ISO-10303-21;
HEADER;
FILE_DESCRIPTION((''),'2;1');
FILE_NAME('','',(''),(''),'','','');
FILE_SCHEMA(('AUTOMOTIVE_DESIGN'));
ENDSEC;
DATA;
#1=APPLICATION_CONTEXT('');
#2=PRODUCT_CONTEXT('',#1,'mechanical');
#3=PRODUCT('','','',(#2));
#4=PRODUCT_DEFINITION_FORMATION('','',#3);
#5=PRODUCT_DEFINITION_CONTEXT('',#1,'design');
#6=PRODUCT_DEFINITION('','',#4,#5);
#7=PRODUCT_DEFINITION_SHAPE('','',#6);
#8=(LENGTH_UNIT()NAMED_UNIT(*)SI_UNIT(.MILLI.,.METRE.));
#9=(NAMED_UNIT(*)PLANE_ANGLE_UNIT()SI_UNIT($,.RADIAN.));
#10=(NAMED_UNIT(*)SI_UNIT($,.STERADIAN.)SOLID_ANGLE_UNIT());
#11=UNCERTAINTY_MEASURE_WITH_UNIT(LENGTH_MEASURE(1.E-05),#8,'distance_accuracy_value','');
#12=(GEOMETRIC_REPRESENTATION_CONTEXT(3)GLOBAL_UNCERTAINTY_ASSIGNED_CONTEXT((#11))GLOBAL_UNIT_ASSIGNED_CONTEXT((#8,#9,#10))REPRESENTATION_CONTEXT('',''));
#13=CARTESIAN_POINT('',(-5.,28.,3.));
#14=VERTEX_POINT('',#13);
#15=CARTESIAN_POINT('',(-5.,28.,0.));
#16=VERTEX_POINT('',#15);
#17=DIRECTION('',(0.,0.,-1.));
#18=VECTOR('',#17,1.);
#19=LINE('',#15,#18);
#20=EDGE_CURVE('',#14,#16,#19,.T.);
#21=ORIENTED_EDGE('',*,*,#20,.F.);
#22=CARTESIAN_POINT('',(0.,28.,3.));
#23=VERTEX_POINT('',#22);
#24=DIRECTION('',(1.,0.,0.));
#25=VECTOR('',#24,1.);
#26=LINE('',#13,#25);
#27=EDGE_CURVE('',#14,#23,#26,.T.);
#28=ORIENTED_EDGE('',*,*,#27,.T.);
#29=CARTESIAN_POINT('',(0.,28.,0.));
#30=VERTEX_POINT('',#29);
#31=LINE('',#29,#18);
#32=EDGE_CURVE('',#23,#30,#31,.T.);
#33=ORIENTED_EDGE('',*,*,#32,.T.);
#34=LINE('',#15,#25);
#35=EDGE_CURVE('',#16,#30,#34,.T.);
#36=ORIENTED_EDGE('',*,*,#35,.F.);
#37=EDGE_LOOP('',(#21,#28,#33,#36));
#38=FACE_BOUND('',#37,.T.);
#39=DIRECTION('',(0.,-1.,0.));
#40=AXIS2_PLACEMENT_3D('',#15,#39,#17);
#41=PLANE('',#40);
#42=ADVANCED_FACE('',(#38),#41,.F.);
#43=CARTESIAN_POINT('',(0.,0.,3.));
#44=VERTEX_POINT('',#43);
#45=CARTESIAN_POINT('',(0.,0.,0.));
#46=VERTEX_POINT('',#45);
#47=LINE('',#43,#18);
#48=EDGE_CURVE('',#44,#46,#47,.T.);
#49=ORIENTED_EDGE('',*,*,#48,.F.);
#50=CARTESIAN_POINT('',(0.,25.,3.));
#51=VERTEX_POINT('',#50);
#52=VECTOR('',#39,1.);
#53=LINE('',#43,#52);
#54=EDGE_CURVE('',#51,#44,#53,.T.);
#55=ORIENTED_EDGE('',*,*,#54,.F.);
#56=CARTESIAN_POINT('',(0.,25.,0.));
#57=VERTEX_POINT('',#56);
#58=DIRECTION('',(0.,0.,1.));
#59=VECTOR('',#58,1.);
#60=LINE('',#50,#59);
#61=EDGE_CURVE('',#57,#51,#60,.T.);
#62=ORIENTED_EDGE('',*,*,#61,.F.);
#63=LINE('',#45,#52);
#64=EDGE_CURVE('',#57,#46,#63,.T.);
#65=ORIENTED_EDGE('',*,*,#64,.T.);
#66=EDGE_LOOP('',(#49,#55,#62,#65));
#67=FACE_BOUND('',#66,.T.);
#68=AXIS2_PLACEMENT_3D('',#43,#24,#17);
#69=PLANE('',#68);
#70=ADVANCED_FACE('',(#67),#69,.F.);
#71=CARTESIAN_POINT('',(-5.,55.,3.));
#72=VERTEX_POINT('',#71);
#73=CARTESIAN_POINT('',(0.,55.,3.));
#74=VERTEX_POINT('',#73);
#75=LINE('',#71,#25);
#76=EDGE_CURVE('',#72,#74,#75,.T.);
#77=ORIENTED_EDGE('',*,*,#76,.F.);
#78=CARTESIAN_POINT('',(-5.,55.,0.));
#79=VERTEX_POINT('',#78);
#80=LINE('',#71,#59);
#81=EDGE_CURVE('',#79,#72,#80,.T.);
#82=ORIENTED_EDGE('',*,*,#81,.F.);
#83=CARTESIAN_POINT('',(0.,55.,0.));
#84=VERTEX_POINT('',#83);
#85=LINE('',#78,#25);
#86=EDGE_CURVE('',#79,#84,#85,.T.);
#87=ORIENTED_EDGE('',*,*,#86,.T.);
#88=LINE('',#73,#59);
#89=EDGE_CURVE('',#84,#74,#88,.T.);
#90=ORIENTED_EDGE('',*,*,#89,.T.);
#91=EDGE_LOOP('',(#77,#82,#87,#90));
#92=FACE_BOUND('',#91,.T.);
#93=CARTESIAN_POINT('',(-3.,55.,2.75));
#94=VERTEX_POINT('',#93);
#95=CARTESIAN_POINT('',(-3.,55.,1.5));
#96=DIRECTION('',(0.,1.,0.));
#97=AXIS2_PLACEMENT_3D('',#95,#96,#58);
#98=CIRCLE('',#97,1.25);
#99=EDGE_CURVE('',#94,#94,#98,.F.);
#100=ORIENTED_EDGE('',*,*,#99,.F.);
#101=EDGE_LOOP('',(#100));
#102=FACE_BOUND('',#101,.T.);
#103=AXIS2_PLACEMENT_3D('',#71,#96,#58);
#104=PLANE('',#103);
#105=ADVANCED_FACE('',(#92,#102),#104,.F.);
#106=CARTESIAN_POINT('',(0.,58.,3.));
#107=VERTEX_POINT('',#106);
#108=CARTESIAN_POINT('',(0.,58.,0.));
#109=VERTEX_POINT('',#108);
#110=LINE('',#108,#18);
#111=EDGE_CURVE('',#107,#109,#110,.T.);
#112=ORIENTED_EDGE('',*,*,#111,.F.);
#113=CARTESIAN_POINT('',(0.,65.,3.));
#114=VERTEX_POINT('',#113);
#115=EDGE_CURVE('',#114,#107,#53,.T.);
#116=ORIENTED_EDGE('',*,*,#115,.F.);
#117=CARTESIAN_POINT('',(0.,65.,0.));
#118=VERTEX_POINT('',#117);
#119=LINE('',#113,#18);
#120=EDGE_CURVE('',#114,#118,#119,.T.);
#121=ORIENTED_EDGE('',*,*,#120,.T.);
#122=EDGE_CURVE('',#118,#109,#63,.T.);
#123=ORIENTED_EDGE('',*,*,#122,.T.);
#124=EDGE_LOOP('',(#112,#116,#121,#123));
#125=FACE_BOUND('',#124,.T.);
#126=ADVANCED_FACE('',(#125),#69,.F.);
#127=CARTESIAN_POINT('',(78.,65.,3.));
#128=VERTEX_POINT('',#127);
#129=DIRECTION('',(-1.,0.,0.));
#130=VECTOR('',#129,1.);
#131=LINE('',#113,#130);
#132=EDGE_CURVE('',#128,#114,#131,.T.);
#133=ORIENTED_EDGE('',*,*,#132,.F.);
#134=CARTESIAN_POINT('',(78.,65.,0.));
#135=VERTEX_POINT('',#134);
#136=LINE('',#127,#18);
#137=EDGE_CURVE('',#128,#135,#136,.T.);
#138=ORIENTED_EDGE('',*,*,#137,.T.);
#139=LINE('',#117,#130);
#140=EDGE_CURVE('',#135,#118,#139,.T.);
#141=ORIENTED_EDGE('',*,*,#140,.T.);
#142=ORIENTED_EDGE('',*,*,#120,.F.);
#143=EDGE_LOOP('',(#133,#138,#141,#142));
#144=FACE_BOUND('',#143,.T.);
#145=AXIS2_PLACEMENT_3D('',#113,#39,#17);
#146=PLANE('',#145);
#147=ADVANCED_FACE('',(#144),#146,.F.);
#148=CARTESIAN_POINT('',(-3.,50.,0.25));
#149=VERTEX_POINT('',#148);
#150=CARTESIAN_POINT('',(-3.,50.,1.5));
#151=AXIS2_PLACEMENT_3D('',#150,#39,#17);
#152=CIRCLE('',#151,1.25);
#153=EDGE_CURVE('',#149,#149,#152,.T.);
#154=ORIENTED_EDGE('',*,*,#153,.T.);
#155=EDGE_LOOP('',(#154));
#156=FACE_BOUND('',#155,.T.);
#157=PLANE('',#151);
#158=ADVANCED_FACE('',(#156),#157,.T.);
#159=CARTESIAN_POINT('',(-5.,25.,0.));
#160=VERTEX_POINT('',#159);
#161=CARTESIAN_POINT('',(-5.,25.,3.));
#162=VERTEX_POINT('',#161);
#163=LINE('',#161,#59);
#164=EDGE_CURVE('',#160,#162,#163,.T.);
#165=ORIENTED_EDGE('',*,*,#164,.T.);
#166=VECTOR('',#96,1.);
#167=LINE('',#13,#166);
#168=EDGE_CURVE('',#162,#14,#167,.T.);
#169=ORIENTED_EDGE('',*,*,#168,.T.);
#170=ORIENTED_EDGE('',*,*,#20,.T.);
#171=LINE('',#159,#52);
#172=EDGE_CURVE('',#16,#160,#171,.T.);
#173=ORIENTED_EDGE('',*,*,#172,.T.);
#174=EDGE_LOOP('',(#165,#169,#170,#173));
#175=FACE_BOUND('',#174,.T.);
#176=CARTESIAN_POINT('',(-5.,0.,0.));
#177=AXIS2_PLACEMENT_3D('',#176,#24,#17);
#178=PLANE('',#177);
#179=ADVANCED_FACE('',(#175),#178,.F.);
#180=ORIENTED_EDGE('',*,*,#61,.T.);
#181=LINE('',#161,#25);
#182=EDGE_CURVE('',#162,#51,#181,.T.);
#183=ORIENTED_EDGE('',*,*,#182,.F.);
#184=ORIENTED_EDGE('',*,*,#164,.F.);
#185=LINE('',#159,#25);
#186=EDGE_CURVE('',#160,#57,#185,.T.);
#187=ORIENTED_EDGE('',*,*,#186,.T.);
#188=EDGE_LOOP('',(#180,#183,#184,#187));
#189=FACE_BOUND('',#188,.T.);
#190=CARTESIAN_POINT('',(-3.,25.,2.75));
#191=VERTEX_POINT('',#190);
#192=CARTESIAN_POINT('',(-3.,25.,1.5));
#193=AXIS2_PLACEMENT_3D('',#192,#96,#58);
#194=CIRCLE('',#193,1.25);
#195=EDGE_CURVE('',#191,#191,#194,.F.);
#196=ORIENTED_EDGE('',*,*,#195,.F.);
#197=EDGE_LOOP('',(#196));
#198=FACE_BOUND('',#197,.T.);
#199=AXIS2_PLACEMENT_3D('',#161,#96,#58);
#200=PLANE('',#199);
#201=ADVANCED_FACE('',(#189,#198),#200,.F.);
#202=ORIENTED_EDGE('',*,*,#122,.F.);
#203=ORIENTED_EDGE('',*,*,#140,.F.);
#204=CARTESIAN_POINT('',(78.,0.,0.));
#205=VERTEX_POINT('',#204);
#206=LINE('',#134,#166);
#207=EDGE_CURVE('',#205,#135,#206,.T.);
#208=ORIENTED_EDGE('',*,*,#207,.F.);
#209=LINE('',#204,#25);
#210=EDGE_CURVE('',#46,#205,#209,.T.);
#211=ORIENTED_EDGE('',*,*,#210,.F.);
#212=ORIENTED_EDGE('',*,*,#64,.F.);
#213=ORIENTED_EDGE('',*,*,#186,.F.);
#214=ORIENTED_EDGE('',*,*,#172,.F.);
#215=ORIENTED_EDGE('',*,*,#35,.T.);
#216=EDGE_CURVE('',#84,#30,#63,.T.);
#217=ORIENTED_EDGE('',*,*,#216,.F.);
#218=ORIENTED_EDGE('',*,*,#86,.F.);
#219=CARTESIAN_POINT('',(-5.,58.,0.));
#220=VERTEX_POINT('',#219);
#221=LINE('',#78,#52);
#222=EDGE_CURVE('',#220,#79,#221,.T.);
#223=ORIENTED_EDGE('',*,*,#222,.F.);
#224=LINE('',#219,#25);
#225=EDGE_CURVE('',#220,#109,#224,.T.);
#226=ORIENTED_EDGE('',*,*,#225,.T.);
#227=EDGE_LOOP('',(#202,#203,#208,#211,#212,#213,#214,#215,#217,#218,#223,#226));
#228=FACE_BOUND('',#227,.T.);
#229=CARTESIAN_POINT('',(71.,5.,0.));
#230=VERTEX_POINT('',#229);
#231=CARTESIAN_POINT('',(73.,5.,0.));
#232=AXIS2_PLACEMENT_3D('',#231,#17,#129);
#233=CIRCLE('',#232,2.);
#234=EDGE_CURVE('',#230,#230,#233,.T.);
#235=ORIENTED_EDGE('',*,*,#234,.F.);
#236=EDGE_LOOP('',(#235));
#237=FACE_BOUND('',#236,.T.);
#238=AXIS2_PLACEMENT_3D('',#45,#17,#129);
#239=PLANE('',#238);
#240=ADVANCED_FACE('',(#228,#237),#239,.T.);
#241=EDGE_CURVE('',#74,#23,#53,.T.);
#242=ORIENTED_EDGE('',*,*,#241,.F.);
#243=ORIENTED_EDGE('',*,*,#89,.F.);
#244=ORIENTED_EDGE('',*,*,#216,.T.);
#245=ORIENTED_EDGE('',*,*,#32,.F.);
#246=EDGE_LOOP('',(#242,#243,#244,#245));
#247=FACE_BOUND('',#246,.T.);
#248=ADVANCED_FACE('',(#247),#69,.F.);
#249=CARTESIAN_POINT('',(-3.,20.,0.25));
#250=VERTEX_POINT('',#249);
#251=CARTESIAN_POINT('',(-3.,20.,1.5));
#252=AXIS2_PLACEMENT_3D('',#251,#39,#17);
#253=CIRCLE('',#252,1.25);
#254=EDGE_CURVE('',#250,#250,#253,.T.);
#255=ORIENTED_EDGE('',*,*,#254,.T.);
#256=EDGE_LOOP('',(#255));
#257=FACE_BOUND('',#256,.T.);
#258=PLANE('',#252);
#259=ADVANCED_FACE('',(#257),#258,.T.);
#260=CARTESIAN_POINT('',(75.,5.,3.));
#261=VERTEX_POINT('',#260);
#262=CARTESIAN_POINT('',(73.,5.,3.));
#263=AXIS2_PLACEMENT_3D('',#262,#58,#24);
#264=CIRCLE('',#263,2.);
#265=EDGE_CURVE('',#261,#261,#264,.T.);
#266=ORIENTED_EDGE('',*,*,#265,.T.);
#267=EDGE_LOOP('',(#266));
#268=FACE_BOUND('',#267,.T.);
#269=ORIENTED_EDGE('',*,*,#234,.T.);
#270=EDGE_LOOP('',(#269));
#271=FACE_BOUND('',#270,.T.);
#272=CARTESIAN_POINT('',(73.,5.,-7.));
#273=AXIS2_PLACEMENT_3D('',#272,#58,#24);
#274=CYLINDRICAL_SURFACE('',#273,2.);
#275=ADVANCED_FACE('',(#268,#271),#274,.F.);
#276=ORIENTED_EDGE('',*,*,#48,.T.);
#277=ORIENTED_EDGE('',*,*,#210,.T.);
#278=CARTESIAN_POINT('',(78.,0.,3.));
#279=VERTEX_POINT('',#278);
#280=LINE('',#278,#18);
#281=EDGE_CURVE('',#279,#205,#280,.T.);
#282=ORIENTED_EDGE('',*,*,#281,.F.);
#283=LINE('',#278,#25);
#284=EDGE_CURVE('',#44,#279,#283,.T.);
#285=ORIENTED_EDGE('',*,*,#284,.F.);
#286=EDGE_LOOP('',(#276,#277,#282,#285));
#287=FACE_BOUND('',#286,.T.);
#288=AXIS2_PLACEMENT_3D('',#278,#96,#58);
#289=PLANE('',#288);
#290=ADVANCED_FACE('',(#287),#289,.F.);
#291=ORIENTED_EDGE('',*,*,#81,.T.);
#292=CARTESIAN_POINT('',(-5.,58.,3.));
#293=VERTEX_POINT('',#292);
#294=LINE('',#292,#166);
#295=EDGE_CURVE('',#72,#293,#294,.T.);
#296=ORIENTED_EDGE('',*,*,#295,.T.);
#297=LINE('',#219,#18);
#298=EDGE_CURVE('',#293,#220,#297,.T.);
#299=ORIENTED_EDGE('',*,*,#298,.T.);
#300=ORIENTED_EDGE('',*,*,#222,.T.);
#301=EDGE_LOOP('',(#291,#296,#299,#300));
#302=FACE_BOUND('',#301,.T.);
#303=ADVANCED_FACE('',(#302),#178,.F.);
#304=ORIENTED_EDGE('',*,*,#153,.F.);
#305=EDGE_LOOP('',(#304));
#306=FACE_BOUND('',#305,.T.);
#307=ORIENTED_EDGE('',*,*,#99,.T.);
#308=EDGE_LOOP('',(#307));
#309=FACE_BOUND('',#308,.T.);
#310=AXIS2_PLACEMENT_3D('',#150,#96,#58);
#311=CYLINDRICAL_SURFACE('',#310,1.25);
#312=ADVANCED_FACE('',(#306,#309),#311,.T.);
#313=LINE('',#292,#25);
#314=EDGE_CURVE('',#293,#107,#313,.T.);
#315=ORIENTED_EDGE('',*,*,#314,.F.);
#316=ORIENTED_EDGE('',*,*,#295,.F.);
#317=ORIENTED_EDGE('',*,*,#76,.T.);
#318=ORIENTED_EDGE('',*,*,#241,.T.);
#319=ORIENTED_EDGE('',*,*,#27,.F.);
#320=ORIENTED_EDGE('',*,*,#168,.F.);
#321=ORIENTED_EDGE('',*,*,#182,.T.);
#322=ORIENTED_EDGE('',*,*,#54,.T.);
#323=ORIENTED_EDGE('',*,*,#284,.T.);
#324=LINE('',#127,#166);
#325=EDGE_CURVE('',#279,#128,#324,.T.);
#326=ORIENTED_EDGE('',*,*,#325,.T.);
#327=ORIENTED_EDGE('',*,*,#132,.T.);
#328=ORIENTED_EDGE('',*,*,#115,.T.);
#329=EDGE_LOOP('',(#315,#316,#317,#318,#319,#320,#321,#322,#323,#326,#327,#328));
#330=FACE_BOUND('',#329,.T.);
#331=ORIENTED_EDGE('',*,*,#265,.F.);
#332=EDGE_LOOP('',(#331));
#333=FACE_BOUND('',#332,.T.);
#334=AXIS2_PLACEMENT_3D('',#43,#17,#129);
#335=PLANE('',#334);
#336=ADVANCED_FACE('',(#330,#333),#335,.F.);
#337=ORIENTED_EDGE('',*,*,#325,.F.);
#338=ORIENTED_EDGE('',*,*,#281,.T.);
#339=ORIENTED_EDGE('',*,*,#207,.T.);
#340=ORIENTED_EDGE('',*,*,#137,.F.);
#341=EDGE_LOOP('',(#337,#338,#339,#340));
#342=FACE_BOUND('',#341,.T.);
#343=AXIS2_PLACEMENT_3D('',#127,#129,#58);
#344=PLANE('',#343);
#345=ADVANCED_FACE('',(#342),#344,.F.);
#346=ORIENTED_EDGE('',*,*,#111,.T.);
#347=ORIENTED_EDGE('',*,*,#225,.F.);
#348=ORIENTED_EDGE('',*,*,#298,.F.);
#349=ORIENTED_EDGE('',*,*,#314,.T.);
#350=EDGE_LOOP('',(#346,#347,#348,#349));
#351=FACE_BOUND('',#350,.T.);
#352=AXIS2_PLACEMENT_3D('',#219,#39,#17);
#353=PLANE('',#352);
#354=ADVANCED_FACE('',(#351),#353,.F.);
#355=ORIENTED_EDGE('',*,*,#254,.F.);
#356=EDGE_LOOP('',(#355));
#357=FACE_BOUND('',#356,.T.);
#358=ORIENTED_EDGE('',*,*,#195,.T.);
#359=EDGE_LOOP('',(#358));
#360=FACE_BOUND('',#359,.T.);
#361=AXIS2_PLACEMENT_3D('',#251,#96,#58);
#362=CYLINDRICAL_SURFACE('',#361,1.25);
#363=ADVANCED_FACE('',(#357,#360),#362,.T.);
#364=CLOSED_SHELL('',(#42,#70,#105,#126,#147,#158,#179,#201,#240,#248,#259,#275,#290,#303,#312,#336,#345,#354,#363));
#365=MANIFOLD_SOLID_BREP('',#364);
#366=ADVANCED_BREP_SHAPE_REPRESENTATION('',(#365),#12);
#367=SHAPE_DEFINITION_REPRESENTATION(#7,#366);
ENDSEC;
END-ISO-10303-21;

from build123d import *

# Parameters (mm, degrees)
IZIM1_W                     = 78
IZIM1_H                     = 65
Y_KSEKLIK_EKSTR_ZYON1_DEPTH = 3
IZIM2_W                     = 3
IZIM2_H                     = 3
Y_KSEKLIK_EKSTR_ZYON2_DEPTH = 5
IZIM4_R                     = 1.25
Y_KSEKLIK_EKSTR_ZYON3_DEPTH = 5
IZIM5_R                     = 1.25
Y_KSEKLIK_EKSTR_ZYON4_DEPTH = 5
IZIM6_R                     = 2
KES_EKSTR_ZYON2_DEPTH       = 10


with BuildPart() as part:
    # Çizim1 → Yükseklik-Ekstrüzyon1 (new body)
    with BuildSketch(Plane.XY):
        with Locations((39, 32.5)):
            Rectangle(IZIM1_W, IZIM1_H)
    extrude(amount=Y_KSEKLIK_EKSTR_ZYON1_DEPTH)

    # Çizim2 → Yükseklik-Ekstrüzyon2 (add)
    with BuildSketch(Plane.ZY):
        with Locations((1.5, 56.5)):
            Rectangle(IZIM2_W, IZIM2_H)
        with Locations((1.5, 26.5)):
            Rectangle(IZIM2_W, IZIM2_H)
    extrude(amount=Y_KSEKLIK_EKSTR_ZYON2_DEPTH)

    # Çizim4 → Yükseklik-Ekstrüzyon3 (add)
    with BuildSketch(Plane.XZ.offset(-55)):
        with Locations(Location((-3, 1.5, 0), (0, 0, 90))):
            Circle(IZIM4_R)
    extrude(amount=Y_KSEKLIK_EKSTR_ZYON3_DEPTH)

    # Çizim5 → Yükseklik-Ekstrüzyon4 (add)
    with BuildSketch(Plane.XZ.offset(-25)):
        with Locations(Location((-3, 1.5, 0), (0, 0, 90))):
            Circle(IZIM5_R)
    extrude(amount=Y_KSEKLIK_EKSTR_ZYON4_DEPTH)

    # Çizim6 → Kes-Ekstrüzyon2 (cut)
    with BuildSketch(Plane.XY.offset(3)):
        with Locations((73, 5)):
            Circle(IZIM6_R)
    extrude(amount=-KES_EKSTR_ZYON2_DEPTH, mode=Mode.SUBTRACT)


solid = part.part
